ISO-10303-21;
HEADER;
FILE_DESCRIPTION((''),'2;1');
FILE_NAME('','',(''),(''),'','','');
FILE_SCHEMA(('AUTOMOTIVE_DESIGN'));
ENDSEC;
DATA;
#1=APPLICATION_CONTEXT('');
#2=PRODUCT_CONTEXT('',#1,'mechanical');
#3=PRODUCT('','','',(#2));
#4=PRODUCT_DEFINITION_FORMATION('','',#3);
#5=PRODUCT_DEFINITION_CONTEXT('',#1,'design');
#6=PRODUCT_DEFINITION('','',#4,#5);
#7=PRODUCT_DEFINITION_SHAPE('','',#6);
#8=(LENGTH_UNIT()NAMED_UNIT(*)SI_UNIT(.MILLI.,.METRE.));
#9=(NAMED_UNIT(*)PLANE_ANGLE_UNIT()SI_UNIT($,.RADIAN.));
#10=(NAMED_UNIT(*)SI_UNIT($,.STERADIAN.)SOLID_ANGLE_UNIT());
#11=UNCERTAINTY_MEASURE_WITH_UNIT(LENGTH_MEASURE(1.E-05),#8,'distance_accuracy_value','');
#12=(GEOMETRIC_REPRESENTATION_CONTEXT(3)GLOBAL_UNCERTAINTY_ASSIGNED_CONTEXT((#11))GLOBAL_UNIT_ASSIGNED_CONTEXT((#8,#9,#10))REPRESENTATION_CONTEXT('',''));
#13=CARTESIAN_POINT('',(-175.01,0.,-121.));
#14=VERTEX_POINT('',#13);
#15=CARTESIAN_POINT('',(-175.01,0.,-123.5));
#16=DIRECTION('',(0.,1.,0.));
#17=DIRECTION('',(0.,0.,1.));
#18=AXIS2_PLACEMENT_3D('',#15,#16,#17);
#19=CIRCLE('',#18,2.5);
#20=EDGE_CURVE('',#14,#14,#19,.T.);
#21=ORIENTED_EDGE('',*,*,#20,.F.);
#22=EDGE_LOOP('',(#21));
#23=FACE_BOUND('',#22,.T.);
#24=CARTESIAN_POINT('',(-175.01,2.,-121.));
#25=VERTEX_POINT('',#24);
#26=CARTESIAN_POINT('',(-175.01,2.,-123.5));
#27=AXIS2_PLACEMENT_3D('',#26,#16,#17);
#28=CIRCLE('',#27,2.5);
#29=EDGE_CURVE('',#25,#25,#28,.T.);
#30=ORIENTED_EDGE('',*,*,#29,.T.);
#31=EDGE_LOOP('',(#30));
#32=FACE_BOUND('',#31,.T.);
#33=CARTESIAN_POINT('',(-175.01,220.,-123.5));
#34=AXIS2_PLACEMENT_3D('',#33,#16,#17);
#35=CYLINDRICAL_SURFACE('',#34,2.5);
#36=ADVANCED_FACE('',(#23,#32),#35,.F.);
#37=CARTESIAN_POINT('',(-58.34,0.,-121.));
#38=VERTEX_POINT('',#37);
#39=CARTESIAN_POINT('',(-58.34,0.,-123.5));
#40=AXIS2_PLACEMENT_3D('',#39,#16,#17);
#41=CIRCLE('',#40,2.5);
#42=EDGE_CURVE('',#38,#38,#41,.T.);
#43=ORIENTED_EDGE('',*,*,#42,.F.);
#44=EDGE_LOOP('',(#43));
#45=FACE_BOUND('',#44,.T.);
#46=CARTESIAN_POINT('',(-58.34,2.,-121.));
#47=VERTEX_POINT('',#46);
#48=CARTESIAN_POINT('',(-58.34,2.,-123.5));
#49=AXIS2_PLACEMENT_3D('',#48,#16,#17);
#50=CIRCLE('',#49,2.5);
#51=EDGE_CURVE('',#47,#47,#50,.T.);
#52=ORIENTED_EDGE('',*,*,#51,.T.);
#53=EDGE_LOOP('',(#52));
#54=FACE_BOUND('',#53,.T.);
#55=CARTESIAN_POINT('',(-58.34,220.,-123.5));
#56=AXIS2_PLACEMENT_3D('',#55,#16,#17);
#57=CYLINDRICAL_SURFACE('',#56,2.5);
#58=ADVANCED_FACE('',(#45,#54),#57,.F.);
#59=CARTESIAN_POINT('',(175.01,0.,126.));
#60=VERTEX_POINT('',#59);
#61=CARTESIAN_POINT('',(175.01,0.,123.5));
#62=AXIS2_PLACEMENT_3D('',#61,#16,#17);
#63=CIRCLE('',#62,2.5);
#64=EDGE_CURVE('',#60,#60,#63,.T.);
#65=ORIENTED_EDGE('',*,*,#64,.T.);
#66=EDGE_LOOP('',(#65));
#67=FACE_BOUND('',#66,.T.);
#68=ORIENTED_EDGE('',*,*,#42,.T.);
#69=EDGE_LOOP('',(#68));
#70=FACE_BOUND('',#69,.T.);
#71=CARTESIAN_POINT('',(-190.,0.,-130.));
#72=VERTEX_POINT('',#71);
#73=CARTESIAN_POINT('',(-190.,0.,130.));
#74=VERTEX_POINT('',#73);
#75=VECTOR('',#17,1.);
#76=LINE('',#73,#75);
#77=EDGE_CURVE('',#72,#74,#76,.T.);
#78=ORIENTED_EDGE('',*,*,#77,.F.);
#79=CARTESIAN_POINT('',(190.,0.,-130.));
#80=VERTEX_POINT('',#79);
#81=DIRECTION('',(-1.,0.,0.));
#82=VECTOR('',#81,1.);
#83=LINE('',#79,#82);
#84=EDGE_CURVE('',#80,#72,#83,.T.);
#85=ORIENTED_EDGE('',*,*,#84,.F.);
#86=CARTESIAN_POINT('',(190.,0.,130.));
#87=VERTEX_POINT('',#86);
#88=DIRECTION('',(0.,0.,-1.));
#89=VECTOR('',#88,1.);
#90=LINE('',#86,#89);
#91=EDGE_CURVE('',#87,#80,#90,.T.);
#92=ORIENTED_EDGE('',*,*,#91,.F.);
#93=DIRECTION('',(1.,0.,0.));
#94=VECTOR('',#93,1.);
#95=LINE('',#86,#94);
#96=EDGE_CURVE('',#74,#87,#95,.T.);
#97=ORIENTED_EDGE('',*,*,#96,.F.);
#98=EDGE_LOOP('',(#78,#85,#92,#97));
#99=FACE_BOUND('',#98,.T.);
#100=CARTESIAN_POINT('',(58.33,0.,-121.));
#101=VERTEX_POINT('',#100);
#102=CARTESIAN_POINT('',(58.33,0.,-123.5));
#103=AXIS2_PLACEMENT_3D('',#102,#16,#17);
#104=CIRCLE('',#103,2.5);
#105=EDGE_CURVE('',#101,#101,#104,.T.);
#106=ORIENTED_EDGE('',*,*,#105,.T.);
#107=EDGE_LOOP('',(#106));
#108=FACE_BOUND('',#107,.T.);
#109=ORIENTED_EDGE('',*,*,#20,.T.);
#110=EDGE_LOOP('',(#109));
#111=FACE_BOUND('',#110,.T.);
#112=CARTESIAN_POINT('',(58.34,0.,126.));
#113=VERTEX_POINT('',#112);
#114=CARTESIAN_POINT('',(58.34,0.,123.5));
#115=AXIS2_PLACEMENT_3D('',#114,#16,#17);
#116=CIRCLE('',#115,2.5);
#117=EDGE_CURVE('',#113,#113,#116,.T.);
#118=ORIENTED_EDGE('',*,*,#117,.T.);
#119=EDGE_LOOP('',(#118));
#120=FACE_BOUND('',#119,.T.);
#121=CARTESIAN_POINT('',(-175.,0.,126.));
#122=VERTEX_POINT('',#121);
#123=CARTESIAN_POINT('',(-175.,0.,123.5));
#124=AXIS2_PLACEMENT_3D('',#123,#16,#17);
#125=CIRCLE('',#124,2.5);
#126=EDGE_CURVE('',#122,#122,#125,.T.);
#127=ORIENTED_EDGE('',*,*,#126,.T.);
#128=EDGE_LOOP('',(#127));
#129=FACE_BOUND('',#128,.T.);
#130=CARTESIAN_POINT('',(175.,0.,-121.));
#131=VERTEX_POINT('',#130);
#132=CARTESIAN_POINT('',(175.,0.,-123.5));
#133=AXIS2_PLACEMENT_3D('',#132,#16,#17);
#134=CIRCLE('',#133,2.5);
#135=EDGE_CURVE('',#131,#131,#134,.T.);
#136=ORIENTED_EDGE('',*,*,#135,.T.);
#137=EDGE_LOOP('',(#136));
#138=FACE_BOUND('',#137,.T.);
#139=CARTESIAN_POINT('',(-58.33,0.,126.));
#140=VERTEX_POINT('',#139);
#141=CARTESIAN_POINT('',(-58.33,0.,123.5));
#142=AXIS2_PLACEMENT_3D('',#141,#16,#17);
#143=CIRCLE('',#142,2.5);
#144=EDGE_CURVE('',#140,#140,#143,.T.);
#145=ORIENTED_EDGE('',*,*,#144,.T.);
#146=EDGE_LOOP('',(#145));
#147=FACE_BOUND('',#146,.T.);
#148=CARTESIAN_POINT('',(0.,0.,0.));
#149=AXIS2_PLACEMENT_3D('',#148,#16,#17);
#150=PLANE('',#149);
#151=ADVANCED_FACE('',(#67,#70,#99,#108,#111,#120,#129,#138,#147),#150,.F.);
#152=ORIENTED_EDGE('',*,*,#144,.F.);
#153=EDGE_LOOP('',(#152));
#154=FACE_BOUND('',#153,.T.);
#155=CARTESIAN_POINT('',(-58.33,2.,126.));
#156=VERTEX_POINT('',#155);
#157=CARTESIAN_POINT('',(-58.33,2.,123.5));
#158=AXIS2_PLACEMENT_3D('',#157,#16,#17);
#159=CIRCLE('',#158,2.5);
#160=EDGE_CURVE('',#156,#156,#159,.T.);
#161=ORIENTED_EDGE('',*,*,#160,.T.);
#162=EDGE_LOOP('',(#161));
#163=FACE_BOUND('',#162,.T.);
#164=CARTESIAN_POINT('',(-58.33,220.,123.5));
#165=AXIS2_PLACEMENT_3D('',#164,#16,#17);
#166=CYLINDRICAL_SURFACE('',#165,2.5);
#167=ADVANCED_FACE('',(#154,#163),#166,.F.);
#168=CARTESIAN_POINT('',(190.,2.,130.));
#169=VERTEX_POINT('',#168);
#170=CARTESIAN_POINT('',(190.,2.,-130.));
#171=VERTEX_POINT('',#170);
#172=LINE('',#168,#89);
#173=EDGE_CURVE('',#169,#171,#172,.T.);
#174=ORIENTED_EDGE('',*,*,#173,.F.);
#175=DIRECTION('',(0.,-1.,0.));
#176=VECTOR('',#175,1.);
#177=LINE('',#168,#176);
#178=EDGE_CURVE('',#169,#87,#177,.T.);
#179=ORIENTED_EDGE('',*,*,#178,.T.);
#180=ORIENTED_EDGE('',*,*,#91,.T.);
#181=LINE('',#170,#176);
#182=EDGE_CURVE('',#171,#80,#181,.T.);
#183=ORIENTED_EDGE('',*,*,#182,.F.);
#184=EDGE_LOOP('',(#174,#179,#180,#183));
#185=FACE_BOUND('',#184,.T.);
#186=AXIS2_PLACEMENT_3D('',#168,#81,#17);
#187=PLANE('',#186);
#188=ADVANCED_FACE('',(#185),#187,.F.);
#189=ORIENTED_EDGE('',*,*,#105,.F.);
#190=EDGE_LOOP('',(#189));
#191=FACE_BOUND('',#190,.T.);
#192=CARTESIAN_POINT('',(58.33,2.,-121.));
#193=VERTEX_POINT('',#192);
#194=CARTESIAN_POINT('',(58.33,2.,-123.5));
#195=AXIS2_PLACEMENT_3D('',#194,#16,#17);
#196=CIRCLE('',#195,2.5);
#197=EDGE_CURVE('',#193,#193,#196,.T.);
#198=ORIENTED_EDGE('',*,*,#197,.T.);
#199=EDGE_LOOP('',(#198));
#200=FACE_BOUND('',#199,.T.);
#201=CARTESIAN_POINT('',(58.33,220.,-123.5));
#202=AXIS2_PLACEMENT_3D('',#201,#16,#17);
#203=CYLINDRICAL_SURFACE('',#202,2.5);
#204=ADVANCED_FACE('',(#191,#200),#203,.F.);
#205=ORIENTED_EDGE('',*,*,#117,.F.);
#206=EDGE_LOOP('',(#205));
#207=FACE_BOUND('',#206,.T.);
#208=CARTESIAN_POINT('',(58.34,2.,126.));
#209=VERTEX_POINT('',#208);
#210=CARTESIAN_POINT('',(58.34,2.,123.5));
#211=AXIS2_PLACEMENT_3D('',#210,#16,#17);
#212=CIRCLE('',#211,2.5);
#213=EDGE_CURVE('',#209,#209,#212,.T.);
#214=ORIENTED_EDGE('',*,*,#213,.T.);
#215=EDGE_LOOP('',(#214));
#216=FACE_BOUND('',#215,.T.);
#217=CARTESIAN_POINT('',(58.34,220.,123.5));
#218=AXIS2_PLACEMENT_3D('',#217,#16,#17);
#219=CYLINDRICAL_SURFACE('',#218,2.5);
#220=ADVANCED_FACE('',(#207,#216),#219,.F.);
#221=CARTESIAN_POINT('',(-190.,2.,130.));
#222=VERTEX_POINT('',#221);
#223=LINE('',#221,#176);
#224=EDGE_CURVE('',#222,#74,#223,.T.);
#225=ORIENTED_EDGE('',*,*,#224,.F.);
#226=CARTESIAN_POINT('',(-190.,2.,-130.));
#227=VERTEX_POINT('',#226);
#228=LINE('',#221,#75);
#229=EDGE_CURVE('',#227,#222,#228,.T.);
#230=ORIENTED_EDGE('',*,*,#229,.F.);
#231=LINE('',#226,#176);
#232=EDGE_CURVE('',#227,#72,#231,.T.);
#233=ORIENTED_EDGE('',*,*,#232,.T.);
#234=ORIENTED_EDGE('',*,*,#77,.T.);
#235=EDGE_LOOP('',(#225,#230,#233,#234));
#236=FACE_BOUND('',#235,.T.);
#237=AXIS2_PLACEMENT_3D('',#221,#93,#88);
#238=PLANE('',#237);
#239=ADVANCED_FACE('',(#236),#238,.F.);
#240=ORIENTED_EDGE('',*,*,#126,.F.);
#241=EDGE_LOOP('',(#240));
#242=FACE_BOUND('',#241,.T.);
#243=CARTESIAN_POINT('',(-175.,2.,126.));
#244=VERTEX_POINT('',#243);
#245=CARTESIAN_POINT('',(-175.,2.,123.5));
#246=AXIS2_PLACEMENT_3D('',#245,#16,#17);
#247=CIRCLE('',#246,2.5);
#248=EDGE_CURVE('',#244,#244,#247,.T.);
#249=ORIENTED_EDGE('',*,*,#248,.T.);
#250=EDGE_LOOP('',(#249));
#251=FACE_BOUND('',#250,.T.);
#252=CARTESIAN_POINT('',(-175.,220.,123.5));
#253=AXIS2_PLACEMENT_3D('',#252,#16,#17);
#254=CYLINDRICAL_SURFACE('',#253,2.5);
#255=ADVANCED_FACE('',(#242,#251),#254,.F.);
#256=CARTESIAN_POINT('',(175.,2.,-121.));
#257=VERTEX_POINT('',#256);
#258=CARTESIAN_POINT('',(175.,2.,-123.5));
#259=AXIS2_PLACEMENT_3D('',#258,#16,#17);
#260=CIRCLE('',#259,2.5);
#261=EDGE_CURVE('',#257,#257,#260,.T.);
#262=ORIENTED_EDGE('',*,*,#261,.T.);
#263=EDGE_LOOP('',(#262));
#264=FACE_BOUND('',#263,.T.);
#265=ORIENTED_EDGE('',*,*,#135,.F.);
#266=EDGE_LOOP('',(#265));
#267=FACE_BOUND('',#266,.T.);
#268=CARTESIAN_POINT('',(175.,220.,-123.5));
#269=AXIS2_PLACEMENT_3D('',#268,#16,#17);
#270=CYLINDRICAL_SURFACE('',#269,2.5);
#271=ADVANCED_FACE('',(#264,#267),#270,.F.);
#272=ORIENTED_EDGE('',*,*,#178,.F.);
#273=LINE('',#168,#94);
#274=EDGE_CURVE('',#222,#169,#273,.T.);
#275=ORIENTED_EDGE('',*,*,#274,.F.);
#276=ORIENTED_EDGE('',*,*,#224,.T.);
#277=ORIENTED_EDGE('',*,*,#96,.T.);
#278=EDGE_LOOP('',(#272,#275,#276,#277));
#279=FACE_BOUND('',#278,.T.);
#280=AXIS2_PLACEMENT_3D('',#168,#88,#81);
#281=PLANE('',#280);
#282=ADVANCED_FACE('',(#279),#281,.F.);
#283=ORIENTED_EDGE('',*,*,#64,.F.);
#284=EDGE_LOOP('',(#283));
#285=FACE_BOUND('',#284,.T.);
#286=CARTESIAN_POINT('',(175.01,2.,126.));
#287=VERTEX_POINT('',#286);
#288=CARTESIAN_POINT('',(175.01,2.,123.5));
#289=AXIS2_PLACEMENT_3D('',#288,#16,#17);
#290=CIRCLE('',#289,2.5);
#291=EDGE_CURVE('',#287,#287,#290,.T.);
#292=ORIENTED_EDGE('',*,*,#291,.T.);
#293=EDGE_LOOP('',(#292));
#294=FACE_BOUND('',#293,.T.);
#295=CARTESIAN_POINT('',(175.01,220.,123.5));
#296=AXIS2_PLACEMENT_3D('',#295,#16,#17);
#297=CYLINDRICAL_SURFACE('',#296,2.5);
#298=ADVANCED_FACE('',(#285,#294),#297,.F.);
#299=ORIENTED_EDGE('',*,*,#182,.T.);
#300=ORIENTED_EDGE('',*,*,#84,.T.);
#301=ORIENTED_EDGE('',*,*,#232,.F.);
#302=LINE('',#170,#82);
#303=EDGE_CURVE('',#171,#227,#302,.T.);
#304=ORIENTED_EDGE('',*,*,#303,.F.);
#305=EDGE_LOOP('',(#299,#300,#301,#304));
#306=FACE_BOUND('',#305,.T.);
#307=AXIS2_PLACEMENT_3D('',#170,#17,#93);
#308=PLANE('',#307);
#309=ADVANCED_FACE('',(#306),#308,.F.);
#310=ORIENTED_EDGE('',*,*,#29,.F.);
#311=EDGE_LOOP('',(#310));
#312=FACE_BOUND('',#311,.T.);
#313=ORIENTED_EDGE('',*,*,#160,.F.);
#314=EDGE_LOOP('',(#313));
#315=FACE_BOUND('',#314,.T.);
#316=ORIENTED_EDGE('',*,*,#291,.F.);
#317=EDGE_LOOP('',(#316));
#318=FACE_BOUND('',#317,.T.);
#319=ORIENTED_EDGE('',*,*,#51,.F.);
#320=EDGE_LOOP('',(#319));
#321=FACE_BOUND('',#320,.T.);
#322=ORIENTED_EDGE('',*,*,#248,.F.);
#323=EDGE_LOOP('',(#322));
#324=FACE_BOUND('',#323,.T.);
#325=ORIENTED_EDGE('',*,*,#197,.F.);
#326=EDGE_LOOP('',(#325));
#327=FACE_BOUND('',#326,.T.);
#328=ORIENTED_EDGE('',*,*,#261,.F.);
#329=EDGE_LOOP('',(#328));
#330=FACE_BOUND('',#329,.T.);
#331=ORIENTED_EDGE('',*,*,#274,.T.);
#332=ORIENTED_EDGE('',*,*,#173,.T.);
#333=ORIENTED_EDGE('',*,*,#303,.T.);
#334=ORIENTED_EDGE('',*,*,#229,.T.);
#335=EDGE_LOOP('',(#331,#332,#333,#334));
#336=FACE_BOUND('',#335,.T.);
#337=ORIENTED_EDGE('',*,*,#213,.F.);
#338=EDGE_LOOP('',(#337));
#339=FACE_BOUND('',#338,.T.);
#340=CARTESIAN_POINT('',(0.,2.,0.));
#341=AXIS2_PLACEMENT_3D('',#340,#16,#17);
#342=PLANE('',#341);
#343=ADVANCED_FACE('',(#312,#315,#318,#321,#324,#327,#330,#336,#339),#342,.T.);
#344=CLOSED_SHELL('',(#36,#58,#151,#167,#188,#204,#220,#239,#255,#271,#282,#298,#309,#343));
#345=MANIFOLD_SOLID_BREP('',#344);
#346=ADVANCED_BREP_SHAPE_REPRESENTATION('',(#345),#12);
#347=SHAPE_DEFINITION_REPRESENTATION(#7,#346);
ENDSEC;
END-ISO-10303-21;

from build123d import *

# Parameters (mm, degrees)
SKETCH_1_W      = 380
SKETCH_1_H      = 260
EXTRUDE_1_DEPTH = 2
MM_1_D          = 5
MM_2_D          = 5


with BuildPart() as part:
    # 草图1 → 凸台-拉伸1 (new body)
    with BuildSketch(Plane(origin=(0, 0, 0), x_dir=(1, 0, 0), z_dir=(0, 1, 0))):
        Rectangle(SKETCH_1_W, SKETCH_1_H)
    extrude(amount=EXTRUDE_1_DEPTH)

    # 大小mm 暗销孔1 (through all)
    with Locations(Plane(origin=(86.042395626, 220, 442.05931397), x_dir=(-0.9930068269996722, 0, 0.11805694190534984), z_dir=(0, 1, 0))):
        with Locations((192.458607988, -592.42330735), (76.604501482, -578.649603938), (-39.249605024, -564.875900526), (-155.10371153, -551.102197114), (-125.953576947, -305.828330275), (-10.099470441, -319.602033687), (105.754636065, -333.375737099), (221.608742571, -347.149440512)):
            Hole(MM_1_D / 2)

    # 大小mm 暗销孔2 (through all)
    with Locations(Plane(origin=(86.042395626, 2, 442.05931397), x_dir=(-0.9930068269996722, 0, 0.11805694190534984), z_dir=(0, 1, 0))):
        with Locations((192.458607988, -592.42330735), (76.604501482, -578.649603938), (-39.249605024, -564.875900526), (-155.10371153, -551.102197114), (-125.953576947, -305.828330275), (-10.099470441, -319.602033687), (105.754636065, -333.375737099), (221.608742571, -347.149440512)):
            Hole(MM_2_D / 2)


solid = part.part
